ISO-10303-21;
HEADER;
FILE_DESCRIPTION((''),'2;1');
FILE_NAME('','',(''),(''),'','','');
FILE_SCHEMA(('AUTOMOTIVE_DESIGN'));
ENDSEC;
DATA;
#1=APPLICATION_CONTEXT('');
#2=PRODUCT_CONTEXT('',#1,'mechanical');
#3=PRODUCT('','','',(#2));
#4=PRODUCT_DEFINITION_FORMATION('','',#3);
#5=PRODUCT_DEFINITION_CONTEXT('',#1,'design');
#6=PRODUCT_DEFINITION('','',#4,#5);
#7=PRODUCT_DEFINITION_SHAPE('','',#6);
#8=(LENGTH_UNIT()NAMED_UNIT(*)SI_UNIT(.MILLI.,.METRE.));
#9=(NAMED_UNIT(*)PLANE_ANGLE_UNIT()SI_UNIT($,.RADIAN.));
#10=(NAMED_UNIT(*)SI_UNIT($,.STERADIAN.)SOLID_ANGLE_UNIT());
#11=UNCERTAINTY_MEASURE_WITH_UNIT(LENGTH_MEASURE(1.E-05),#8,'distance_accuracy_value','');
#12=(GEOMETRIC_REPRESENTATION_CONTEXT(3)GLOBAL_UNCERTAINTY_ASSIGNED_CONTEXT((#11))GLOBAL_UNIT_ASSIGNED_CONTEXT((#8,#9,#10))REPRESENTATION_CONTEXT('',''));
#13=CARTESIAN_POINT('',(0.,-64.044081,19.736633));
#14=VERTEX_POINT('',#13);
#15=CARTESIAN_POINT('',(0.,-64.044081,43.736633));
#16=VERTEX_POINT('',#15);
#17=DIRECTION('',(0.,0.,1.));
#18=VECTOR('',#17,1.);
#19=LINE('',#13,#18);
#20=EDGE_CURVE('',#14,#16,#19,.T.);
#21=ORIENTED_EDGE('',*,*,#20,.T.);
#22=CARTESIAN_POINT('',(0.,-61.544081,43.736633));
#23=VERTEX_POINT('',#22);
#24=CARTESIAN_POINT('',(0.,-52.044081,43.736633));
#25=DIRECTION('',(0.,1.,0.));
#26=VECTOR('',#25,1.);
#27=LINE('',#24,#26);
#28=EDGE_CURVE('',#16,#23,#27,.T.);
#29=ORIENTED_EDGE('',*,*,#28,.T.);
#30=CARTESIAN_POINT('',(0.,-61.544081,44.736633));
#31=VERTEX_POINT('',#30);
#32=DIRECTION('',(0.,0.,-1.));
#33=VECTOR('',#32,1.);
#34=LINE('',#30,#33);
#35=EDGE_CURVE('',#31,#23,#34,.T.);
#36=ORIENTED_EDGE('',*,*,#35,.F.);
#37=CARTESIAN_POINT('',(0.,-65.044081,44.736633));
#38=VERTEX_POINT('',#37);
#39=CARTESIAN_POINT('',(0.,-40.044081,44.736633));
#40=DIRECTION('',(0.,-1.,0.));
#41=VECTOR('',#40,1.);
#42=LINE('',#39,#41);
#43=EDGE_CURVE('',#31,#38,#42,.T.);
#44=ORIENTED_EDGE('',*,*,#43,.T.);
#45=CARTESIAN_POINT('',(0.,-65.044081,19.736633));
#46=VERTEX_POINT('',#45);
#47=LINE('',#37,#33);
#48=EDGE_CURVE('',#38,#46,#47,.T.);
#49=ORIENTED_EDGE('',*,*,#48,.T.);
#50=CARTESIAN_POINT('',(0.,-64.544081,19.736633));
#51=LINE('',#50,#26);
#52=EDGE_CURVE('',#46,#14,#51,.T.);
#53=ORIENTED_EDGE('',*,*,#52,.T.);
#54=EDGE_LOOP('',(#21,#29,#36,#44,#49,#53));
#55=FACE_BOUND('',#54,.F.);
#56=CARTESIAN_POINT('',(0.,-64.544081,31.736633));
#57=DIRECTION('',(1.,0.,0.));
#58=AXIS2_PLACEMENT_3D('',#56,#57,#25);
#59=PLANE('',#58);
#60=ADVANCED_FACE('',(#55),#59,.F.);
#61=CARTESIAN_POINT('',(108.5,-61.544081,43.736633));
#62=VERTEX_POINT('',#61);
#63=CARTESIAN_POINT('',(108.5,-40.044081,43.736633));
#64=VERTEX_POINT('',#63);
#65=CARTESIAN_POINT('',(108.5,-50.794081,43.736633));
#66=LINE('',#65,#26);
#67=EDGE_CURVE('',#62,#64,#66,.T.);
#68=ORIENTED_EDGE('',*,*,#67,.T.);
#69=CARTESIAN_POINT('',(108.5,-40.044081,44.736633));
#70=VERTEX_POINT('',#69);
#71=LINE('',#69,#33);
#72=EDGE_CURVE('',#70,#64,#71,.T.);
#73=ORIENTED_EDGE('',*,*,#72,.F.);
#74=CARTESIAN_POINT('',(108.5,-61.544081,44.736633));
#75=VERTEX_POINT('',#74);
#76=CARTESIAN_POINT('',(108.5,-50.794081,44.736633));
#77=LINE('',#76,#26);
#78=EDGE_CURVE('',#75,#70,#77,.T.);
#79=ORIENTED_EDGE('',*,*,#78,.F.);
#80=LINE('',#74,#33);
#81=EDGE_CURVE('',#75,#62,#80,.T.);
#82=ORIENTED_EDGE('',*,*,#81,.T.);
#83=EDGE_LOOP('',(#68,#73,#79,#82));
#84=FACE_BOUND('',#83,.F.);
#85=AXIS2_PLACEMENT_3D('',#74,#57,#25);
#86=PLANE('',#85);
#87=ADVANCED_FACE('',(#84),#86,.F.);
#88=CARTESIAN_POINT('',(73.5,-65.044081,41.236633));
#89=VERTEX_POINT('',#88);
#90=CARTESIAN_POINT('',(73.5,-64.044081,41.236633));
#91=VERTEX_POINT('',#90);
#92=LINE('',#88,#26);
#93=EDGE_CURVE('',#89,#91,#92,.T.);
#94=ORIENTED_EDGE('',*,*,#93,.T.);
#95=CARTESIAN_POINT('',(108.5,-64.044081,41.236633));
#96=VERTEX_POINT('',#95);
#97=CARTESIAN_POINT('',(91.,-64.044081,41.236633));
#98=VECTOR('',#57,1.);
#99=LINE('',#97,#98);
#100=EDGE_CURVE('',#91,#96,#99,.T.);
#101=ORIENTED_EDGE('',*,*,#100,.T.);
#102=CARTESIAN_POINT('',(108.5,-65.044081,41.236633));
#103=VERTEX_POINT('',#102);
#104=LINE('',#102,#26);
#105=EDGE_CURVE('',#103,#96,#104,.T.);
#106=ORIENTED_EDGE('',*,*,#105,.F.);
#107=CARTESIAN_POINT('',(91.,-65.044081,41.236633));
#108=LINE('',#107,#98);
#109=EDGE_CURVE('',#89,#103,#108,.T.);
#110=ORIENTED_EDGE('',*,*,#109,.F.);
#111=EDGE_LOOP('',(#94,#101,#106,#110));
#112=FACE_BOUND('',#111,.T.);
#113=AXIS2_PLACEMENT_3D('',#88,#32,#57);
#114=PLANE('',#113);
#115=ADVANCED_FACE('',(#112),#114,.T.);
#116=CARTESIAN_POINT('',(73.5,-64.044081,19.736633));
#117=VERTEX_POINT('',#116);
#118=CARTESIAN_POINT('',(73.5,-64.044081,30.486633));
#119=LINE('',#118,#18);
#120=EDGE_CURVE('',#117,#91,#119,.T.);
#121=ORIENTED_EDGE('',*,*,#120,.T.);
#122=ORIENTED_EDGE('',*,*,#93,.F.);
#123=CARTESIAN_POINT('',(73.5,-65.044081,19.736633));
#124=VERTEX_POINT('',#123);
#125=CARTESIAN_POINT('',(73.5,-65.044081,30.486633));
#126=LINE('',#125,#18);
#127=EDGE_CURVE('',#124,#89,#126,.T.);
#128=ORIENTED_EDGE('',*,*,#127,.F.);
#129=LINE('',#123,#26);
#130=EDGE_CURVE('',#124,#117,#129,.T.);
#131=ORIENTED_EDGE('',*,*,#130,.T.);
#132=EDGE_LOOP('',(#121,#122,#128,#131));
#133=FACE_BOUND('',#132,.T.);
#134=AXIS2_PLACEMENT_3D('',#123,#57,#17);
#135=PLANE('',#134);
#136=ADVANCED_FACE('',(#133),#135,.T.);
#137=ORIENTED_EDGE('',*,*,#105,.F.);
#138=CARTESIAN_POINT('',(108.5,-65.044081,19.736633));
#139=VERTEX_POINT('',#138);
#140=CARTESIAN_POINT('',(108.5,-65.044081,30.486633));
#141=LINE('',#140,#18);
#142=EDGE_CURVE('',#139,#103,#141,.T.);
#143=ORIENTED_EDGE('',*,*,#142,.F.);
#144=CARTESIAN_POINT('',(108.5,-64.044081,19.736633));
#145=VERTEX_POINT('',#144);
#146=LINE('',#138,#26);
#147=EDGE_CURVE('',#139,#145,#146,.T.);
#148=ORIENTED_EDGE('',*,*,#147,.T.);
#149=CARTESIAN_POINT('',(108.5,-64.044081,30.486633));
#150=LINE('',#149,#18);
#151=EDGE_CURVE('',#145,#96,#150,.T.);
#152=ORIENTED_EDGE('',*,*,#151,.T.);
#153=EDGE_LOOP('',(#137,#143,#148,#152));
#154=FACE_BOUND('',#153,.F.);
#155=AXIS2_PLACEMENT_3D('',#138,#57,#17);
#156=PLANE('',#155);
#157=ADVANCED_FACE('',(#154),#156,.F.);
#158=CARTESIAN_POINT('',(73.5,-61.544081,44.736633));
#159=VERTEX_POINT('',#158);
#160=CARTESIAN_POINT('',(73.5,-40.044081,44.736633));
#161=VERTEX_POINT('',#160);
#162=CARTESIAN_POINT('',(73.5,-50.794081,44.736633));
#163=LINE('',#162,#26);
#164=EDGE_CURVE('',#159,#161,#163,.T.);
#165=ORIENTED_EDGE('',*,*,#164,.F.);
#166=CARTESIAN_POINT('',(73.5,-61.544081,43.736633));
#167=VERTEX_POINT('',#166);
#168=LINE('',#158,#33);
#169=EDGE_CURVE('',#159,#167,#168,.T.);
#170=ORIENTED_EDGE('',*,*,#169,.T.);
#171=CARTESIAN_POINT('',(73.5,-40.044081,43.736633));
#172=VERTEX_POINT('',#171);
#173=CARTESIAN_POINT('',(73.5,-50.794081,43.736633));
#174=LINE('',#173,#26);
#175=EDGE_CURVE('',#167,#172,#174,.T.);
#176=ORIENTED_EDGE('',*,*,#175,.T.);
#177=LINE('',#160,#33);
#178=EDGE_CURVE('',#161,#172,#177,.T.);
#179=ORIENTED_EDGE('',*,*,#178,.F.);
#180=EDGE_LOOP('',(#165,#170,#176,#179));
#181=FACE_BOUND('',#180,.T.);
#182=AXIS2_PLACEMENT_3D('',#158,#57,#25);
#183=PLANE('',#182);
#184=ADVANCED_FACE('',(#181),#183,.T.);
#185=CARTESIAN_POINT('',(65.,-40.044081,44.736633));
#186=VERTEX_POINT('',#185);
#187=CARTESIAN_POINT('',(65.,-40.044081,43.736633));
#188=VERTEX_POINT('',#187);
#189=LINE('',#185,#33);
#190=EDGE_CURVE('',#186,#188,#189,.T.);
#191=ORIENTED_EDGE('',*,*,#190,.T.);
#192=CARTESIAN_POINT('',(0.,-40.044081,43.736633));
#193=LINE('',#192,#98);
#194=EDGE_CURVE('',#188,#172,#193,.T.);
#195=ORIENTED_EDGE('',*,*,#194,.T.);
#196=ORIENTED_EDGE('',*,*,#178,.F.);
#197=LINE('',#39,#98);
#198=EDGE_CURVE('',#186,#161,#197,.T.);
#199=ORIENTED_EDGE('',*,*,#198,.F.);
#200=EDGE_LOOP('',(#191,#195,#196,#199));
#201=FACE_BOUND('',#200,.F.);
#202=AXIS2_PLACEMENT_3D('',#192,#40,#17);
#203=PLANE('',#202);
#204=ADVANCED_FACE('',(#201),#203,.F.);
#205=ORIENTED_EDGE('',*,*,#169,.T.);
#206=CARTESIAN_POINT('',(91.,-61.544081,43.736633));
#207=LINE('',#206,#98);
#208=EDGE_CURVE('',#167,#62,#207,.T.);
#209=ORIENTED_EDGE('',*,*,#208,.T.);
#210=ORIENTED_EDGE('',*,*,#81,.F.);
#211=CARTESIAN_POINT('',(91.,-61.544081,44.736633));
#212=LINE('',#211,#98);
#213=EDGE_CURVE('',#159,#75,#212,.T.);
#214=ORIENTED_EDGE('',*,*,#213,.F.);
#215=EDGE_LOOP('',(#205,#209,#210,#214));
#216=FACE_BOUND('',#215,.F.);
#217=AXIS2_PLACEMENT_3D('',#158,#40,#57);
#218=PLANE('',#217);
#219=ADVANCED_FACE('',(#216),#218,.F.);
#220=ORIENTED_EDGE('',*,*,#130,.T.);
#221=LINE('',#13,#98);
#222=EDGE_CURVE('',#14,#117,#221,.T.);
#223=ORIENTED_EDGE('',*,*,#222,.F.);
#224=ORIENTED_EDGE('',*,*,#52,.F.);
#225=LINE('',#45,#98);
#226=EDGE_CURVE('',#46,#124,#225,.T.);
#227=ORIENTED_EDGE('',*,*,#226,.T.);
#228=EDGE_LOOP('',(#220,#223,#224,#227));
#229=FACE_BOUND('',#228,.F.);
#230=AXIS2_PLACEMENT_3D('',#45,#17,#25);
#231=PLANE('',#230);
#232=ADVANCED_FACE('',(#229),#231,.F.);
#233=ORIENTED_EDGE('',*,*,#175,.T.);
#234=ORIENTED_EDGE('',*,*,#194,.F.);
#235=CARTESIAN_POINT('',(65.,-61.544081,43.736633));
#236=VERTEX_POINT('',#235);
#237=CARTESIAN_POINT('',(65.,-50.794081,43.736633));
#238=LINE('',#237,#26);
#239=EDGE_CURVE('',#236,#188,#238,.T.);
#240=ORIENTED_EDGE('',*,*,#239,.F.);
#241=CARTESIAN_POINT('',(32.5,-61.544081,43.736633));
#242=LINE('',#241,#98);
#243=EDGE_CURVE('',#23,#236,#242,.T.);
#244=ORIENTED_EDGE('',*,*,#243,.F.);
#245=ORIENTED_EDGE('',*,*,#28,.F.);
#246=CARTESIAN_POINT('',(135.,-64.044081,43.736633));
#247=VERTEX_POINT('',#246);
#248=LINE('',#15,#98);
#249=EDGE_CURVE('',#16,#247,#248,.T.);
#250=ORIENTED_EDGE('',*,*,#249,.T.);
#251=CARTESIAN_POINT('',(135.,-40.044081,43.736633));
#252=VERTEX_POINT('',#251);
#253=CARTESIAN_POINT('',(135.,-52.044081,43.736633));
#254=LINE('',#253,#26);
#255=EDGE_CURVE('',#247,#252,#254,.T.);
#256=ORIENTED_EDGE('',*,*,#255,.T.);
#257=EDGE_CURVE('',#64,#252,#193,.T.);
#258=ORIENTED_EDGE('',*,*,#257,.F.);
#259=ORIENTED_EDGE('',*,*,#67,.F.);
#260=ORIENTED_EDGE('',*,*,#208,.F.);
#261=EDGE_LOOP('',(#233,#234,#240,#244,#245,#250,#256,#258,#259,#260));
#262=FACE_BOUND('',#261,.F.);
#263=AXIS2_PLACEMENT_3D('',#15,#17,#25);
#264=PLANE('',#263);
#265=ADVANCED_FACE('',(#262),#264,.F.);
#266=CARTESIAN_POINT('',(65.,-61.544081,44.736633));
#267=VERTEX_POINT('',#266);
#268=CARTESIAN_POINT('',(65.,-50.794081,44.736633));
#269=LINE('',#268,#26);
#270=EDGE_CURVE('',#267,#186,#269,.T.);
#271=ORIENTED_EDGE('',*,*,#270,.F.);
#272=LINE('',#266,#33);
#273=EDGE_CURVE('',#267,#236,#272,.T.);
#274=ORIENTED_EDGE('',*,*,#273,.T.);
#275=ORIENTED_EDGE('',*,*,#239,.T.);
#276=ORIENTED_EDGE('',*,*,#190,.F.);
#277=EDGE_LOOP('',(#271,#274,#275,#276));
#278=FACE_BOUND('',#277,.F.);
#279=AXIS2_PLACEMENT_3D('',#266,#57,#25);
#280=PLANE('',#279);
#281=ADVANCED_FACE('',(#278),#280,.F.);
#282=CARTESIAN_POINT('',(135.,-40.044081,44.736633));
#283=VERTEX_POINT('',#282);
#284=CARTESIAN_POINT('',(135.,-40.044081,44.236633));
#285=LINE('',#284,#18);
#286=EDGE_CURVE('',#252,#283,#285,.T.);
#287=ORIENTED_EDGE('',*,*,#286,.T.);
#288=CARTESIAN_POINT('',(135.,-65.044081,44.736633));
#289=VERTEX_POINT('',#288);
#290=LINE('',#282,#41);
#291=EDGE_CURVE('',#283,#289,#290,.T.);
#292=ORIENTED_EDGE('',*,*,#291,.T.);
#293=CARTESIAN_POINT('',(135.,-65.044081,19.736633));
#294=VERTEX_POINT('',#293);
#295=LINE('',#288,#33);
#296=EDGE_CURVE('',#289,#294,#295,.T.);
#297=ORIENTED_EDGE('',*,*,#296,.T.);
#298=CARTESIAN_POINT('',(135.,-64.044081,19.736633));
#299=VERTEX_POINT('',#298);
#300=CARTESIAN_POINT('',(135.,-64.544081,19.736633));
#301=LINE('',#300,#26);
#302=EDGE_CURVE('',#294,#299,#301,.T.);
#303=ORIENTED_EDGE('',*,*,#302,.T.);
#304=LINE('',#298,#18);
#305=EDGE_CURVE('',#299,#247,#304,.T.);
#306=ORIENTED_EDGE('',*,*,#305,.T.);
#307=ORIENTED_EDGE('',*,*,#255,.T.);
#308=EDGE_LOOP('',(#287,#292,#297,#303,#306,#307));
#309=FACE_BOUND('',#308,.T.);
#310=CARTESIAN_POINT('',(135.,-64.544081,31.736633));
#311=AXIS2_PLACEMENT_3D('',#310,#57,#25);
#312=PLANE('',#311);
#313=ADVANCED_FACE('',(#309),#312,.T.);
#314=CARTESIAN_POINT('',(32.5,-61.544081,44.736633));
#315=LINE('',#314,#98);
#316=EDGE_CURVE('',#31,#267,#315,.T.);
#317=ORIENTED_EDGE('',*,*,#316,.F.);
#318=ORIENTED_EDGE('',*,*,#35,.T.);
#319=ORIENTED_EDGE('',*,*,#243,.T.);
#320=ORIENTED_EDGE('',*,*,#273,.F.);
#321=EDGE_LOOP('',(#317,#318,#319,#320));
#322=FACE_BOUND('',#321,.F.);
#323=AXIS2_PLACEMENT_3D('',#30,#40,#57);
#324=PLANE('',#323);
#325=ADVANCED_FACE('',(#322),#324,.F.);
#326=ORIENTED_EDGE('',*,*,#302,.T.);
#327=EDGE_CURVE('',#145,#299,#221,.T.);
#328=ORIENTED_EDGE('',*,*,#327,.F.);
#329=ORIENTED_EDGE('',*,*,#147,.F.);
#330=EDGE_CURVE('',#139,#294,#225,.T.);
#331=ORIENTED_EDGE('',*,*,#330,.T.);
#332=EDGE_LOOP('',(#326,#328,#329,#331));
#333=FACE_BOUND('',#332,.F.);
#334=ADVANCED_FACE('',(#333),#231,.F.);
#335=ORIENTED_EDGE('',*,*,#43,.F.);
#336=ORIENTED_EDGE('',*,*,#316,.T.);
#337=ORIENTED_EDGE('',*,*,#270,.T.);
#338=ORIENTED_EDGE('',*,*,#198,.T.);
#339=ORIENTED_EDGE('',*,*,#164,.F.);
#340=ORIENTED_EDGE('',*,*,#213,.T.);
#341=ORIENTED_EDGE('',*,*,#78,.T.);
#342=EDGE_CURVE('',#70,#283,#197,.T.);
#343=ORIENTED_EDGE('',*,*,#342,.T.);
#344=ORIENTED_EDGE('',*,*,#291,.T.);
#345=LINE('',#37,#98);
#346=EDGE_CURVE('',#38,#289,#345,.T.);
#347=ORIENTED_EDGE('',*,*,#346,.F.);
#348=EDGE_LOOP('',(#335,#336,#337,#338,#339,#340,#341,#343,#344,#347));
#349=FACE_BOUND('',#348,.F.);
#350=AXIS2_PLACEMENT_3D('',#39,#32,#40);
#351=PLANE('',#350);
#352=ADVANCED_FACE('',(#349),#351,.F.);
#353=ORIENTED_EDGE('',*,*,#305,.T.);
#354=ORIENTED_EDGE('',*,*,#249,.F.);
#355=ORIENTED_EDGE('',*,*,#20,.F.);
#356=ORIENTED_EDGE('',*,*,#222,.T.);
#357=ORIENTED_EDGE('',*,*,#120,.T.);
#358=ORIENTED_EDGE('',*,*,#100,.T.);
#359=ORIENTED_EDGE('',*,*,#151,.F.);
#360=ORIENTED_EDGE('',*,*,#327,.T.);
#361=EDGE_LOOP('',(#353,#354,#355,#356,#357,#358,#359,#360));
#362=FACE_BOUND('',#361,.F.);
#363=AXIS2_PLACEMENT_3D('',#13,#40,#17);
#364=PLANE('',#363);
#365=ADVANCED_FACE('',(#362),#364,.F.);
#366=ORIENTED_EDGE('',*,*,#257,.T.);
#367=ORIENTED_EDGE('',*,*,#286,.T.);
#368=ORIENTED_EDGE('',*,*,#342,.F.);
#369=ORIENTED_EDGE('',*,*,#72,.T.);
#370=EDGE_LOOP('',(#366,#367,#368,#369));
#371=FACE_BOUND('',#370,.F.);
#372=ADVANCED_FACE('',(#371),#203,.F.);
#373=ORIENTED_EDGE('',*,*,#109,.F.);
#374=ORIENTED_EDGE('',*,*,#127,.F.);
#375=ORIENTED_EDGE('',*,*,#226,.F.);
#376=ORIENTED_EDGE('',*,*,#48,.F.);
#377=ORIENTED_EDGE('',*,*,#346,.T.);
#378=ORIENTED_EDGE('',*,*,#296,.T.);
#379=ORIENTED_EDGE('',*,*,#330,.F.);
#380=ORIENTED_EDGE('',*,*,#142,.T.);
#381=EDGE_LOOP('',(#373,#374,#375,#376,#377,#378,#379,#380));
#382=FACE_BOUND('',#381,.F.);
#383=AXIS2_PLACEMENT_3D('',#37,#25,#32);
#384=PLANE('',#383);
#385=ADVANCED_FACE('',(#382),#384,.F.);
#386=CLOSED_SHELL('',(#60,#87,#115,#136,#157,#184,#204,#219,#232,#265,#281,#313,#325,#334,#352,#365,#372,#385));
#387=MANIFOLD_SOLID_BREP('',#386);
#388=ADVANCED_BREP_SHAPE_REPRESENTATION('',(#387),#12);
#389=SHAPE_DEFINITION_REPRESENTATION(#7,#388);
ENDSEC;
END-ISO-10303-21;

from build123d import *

# Parameters (mm, degrees)
F0_W     = 1
F0_H     = 24
F0_H_2   = 1
F0_W_2   = 24
F1_DEPTH = 135
F2_W     = 65
F2_H     = 21.5
F2_W_2   = 35
F3_DEPTH = 1
F4_W     = 35
F4_H     = 21.5
F5_DEPTH = 1


with BuildPart() as f1:
    # F0 (on Right) → F1 (new body)
    with BuildSketch(Plane.YZ):
        with Locations((-64.544081, 31.736633)):
            Rectangle(F0_W, F0_H)
        with Locations((-64.544081, 44.236633)):
            Rectangle(F0_W, F0_H_2)
        with Locations((-52.044081, 44.236633)):
            Rectangle(F0_W_2, F0_H_2)
    extrude(amount=F1_DEPTH)

    # F2 (on face) → F3 (cut)
    with BuildSketch(Plane.XY.offset(44.736633)):
        with Locations((32.5, -50.794081)):
            Rectangle(F2_W, F2_H)
        with Locations((91, -50.794081)):
            Rectangle(F2_W_2, F2_H)
    extrude(amount=-F3_DEPTH, mode=Mode.SUBTRACT)

    # F4 (on face) → F5 (cut)
    with BuildSketch(Plane.XZ.offset(65.044081)):
        with Locations((91, 30.486633)):
            Rectangle(F4_W, F4_H)
    extrude(amount=-F5_DEPTH, mode=Mode.SUBTRACT)


solid = f1.part
